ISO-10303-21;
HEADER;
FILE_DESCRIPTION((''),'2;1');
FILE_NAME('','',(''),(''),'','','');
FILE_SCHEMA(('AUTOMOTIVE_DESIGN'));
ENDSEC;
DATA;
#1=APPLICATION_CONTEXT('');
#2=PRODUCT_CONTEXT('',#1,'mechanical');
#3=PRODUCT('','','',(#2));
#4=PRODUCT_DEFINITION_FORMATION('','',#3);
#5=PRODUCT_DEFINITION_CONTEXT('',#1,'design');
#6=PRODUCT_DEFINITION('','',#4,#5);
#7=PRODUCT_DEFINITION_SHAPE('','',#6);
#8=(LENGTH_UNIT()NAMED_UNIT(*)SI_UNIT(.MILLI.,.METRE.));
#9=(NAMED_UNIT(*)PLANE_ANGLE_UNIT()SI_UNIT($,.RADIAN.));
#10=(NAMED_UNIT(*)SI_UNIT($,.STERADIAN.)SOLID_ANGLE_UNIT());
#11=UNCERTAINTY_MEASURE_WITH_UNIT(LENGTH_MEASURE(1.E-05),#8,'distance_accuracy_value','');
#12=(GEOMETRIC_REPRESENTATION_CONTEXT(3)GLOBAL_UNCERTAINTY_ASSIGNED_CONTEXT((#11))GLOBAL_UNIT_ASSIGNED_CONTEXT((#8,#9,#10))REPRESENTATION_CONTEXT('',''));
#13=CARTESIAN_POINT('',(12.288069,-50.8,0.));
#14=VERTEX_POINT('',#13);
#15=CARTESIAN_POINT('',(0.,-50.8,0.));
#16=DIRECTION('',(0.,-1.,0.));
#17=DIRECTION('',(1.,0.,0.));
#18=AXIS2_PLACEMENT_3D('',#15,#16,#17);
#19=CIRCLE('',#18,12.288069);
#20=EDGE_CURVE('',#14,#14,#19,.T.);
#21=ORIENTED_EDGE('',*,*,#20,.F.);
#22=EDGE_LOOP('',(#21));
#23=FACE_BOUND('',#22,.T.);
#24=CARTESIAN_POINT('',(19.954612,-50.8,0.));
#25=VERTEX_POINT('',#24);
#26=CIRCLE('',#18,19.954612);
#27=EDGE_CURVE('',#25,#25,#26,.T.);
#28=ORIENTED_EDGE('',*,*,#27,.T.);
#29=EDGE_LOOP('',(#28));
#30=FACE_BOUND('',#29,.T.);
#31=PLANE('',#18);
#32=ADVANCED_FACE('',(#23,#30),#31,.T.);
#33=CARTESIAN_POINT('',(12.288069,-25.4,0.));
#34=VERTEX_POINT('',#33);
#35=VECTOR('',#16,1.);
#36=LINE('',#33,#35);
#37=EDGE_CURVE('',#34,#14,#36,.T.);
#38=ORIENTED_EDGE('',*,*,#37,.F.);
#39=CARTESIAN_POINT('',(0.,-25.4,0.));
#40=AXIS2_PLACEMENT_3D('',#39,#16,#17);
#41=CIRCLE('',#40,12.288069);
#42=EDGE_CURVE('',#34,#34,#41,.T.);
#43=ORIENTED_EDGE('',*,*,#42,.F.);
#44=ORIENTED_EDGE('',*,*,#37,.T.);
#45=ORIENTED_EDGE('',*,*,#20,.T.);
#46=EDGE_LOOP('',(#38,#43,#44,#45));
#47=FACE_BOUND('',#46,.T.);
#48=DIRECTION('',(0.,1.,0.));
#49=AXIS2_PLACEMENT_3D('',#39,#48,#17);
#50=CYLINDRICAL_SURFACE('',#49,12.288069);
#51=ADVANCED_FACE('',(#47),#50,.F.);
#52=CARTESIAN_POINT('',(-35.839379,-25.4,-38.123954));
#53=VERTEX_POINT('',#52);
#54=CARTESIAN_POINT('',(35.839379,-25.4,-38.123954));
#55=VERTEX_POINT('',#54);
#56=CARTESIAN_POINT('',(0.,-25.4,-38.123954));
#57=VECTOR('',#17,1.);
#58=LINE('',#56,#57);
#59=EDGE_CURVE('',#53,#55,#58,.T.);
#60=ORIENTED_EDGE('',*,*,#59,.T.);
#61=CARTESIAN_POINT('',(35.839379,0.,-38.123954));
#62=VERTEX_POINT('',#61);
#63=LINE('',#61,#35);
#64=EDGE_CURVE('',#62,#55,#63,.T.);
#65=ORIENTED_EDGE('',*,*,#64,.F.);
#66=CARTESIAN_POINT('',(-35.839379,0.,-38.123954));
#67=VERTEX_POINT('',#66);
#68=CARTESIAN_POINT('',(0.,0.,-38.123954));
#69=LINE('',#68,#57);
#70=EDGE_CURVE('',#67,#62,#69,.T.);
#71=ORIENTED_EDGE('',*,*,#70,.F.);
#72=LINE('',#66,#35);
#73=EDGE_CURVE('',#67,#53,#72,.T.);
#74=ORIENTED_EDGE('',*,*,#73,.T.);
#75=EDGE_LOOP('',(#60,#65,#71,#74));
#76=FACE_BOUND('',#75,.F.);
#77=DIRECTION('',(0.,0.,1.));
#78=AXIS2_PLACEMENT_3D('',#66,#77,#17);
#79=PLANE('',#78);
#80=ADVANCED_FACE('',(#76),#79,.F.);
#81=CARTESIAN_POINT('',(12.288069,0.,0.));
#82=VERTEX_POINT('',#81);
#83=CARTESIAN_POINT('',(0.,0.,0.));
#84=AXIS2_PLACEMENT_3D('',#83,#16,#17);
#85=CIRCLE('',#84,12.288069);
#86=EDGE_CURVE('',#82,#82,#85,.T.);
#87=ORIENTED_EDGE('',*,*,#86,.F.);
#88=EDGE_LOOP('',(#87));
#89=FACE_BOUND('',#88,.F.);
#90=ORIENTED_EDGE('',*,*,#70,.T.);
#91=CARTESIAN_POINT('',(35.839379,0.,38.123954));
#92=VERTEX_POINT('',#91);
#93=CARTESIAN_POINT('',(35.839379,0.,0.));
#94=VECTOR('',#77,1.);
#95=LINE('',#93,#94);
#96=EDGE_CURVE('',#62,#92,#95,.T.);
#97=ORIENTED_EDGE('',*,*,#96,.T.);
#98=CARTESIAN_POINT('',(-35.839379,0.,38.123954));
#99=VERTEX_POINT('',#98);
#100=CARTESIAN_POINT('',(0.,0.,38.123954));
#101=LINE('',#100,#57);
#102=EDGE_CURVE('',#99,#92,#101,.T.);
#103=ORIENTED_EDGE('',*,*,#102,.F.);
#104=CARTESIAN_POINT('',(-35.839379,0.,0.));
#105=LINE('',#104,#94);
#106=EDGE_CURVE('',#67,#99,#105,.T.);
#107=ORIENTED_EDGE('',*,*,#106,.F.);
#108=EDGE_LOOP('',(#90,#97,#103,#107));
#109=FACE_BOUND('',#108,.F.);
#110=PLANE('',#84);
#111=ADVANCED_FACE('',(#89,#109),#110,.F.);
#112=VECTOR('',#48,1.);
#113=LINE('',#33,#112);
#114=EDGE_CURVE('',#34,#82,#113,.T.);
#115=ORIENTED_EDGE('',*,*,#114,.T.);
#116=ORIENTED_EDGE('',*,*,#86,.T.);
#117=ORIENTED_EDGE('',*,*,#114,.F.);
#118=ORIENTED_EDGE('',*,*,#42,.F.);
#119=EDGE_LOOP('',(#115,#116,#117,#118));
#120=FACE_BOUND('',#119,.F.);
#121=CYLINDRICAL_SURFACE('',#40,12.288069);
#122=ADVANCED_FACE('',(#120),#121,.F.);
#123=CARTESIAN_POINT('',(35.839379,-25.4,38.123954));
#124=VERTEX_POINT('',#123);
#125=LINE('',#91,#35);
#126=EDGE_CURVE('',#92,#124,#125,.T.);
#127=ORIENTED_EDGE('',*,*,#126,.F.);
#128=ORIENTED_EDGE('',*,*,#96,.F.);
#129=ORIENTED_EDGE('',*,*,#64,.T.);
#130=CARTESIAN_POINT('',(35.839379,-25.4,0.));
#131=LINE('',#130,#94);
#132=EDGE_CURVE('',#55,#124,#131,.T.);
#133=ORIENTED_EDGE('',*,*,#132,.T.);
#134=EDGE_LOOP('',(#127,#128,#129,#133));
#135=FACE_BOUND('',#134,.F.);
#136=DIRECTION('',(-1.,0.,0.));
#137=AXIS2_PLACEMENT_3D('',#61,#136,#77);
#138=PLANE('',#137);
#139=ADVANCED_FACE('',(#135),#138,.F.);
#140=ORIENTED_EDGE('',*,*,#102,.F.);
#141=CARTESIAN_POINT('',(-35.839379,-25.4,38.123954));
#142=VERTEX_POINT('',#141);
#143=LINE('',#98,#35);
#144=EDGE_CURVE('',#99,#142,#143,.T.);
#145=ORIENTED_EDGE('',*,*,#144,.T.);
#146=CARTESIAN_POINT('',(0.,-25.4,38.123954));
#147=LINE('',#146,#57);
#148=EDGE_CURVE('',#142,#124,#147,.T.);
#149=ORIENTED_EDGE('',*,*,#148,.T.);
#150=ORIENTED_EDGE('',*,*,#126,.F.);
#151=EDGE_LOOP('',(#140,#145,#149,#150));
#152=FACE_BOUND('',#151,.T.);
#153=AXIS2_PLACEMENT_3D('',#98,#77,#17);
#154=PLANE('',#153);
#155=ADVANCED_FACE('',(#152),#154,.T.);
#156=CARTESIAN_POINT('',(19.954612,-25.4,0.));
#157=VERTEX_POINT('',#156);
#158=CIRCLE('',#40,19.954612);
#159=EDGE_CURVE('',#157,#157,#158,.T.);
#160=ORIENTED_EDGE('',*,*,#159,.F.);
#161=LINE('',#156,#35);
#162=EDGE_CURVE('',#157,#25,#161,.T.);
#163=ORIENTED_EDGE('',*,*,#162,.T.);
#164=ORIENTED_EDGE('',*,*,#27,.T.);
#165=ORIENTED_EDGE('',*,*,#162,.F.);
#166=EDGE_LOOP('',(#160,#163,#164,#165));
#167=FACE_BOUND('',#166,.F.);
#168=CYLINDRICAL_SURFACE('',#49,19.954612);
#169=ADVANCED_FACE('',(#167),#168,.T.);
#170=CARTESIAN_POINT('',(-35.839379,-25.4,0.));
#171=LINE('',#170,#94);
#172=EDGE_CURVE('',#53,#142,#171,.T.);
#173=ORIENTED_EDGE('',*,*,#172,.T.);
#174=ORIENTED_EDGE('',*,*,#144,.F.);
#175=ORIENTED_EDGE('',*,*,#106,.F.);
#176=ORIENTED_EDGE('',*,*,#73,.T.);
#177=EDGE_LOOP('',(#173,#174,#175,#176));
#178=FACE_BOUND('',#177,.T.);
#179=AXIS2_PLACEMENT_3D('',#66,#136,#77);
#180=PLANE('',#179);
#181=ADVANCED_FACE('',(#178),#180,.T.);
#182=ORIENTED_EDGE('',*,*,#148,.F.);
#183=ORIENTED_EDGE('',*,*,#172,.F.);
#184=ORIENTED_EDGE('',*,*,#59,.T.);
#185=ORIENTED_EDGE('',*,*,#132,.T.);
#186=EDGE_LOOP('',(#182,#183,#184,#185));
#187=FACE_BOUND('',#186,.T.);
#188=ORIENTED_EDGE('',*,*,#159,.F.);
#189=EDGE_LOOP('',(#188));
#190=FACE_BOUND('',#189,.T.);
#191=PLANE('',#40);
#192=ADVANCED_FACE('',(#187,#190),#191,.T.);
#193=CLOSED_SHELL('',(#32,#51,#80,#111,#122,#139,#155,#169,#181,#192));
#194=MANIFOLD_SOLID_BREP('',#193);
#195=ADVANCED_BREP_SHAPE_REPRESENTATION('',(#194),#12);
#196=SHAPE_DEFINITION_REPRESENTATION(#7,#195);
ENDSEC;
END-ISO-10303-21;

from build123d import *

# Parameters (mm, degrees)
F0_W      = 71.678758
F0_H      = 76.247908
F1_DEPTH  = 25.4
F2_R      = 19.954612
F2_R_2    = 12.288069
F3_DEPTH  = 25.4
F3_FACE_R = 12.288069
F4_DEPTH  = 25.401


with BuildPart() as f1:
    # F0 (on Front) → F1 (new body)
    with BuildSketch(Plane.XZ):
        Rectangle(F0_W, F0_H)
    extrude(amount=F1_DEPTH)

    # F2 (on face) → F3 (join)
    with BuildSketch(Plane.XZ.offset(25.4)):
        Circle(F2_R)
        Circle(F2_R_2, mode=Mode.SUBTRACT)
    extrude(amount=F3_DEPTH)

    # F3_face (on face) → F4 (cut, through all)
    with BuildSketch(Plane.XZ.offset(25.4)):
        Circle(F3_FACE_R)
    extrude(amount=-F4_DEPTH, mode=Mode.SUBTRACT)


solid = f1.part
